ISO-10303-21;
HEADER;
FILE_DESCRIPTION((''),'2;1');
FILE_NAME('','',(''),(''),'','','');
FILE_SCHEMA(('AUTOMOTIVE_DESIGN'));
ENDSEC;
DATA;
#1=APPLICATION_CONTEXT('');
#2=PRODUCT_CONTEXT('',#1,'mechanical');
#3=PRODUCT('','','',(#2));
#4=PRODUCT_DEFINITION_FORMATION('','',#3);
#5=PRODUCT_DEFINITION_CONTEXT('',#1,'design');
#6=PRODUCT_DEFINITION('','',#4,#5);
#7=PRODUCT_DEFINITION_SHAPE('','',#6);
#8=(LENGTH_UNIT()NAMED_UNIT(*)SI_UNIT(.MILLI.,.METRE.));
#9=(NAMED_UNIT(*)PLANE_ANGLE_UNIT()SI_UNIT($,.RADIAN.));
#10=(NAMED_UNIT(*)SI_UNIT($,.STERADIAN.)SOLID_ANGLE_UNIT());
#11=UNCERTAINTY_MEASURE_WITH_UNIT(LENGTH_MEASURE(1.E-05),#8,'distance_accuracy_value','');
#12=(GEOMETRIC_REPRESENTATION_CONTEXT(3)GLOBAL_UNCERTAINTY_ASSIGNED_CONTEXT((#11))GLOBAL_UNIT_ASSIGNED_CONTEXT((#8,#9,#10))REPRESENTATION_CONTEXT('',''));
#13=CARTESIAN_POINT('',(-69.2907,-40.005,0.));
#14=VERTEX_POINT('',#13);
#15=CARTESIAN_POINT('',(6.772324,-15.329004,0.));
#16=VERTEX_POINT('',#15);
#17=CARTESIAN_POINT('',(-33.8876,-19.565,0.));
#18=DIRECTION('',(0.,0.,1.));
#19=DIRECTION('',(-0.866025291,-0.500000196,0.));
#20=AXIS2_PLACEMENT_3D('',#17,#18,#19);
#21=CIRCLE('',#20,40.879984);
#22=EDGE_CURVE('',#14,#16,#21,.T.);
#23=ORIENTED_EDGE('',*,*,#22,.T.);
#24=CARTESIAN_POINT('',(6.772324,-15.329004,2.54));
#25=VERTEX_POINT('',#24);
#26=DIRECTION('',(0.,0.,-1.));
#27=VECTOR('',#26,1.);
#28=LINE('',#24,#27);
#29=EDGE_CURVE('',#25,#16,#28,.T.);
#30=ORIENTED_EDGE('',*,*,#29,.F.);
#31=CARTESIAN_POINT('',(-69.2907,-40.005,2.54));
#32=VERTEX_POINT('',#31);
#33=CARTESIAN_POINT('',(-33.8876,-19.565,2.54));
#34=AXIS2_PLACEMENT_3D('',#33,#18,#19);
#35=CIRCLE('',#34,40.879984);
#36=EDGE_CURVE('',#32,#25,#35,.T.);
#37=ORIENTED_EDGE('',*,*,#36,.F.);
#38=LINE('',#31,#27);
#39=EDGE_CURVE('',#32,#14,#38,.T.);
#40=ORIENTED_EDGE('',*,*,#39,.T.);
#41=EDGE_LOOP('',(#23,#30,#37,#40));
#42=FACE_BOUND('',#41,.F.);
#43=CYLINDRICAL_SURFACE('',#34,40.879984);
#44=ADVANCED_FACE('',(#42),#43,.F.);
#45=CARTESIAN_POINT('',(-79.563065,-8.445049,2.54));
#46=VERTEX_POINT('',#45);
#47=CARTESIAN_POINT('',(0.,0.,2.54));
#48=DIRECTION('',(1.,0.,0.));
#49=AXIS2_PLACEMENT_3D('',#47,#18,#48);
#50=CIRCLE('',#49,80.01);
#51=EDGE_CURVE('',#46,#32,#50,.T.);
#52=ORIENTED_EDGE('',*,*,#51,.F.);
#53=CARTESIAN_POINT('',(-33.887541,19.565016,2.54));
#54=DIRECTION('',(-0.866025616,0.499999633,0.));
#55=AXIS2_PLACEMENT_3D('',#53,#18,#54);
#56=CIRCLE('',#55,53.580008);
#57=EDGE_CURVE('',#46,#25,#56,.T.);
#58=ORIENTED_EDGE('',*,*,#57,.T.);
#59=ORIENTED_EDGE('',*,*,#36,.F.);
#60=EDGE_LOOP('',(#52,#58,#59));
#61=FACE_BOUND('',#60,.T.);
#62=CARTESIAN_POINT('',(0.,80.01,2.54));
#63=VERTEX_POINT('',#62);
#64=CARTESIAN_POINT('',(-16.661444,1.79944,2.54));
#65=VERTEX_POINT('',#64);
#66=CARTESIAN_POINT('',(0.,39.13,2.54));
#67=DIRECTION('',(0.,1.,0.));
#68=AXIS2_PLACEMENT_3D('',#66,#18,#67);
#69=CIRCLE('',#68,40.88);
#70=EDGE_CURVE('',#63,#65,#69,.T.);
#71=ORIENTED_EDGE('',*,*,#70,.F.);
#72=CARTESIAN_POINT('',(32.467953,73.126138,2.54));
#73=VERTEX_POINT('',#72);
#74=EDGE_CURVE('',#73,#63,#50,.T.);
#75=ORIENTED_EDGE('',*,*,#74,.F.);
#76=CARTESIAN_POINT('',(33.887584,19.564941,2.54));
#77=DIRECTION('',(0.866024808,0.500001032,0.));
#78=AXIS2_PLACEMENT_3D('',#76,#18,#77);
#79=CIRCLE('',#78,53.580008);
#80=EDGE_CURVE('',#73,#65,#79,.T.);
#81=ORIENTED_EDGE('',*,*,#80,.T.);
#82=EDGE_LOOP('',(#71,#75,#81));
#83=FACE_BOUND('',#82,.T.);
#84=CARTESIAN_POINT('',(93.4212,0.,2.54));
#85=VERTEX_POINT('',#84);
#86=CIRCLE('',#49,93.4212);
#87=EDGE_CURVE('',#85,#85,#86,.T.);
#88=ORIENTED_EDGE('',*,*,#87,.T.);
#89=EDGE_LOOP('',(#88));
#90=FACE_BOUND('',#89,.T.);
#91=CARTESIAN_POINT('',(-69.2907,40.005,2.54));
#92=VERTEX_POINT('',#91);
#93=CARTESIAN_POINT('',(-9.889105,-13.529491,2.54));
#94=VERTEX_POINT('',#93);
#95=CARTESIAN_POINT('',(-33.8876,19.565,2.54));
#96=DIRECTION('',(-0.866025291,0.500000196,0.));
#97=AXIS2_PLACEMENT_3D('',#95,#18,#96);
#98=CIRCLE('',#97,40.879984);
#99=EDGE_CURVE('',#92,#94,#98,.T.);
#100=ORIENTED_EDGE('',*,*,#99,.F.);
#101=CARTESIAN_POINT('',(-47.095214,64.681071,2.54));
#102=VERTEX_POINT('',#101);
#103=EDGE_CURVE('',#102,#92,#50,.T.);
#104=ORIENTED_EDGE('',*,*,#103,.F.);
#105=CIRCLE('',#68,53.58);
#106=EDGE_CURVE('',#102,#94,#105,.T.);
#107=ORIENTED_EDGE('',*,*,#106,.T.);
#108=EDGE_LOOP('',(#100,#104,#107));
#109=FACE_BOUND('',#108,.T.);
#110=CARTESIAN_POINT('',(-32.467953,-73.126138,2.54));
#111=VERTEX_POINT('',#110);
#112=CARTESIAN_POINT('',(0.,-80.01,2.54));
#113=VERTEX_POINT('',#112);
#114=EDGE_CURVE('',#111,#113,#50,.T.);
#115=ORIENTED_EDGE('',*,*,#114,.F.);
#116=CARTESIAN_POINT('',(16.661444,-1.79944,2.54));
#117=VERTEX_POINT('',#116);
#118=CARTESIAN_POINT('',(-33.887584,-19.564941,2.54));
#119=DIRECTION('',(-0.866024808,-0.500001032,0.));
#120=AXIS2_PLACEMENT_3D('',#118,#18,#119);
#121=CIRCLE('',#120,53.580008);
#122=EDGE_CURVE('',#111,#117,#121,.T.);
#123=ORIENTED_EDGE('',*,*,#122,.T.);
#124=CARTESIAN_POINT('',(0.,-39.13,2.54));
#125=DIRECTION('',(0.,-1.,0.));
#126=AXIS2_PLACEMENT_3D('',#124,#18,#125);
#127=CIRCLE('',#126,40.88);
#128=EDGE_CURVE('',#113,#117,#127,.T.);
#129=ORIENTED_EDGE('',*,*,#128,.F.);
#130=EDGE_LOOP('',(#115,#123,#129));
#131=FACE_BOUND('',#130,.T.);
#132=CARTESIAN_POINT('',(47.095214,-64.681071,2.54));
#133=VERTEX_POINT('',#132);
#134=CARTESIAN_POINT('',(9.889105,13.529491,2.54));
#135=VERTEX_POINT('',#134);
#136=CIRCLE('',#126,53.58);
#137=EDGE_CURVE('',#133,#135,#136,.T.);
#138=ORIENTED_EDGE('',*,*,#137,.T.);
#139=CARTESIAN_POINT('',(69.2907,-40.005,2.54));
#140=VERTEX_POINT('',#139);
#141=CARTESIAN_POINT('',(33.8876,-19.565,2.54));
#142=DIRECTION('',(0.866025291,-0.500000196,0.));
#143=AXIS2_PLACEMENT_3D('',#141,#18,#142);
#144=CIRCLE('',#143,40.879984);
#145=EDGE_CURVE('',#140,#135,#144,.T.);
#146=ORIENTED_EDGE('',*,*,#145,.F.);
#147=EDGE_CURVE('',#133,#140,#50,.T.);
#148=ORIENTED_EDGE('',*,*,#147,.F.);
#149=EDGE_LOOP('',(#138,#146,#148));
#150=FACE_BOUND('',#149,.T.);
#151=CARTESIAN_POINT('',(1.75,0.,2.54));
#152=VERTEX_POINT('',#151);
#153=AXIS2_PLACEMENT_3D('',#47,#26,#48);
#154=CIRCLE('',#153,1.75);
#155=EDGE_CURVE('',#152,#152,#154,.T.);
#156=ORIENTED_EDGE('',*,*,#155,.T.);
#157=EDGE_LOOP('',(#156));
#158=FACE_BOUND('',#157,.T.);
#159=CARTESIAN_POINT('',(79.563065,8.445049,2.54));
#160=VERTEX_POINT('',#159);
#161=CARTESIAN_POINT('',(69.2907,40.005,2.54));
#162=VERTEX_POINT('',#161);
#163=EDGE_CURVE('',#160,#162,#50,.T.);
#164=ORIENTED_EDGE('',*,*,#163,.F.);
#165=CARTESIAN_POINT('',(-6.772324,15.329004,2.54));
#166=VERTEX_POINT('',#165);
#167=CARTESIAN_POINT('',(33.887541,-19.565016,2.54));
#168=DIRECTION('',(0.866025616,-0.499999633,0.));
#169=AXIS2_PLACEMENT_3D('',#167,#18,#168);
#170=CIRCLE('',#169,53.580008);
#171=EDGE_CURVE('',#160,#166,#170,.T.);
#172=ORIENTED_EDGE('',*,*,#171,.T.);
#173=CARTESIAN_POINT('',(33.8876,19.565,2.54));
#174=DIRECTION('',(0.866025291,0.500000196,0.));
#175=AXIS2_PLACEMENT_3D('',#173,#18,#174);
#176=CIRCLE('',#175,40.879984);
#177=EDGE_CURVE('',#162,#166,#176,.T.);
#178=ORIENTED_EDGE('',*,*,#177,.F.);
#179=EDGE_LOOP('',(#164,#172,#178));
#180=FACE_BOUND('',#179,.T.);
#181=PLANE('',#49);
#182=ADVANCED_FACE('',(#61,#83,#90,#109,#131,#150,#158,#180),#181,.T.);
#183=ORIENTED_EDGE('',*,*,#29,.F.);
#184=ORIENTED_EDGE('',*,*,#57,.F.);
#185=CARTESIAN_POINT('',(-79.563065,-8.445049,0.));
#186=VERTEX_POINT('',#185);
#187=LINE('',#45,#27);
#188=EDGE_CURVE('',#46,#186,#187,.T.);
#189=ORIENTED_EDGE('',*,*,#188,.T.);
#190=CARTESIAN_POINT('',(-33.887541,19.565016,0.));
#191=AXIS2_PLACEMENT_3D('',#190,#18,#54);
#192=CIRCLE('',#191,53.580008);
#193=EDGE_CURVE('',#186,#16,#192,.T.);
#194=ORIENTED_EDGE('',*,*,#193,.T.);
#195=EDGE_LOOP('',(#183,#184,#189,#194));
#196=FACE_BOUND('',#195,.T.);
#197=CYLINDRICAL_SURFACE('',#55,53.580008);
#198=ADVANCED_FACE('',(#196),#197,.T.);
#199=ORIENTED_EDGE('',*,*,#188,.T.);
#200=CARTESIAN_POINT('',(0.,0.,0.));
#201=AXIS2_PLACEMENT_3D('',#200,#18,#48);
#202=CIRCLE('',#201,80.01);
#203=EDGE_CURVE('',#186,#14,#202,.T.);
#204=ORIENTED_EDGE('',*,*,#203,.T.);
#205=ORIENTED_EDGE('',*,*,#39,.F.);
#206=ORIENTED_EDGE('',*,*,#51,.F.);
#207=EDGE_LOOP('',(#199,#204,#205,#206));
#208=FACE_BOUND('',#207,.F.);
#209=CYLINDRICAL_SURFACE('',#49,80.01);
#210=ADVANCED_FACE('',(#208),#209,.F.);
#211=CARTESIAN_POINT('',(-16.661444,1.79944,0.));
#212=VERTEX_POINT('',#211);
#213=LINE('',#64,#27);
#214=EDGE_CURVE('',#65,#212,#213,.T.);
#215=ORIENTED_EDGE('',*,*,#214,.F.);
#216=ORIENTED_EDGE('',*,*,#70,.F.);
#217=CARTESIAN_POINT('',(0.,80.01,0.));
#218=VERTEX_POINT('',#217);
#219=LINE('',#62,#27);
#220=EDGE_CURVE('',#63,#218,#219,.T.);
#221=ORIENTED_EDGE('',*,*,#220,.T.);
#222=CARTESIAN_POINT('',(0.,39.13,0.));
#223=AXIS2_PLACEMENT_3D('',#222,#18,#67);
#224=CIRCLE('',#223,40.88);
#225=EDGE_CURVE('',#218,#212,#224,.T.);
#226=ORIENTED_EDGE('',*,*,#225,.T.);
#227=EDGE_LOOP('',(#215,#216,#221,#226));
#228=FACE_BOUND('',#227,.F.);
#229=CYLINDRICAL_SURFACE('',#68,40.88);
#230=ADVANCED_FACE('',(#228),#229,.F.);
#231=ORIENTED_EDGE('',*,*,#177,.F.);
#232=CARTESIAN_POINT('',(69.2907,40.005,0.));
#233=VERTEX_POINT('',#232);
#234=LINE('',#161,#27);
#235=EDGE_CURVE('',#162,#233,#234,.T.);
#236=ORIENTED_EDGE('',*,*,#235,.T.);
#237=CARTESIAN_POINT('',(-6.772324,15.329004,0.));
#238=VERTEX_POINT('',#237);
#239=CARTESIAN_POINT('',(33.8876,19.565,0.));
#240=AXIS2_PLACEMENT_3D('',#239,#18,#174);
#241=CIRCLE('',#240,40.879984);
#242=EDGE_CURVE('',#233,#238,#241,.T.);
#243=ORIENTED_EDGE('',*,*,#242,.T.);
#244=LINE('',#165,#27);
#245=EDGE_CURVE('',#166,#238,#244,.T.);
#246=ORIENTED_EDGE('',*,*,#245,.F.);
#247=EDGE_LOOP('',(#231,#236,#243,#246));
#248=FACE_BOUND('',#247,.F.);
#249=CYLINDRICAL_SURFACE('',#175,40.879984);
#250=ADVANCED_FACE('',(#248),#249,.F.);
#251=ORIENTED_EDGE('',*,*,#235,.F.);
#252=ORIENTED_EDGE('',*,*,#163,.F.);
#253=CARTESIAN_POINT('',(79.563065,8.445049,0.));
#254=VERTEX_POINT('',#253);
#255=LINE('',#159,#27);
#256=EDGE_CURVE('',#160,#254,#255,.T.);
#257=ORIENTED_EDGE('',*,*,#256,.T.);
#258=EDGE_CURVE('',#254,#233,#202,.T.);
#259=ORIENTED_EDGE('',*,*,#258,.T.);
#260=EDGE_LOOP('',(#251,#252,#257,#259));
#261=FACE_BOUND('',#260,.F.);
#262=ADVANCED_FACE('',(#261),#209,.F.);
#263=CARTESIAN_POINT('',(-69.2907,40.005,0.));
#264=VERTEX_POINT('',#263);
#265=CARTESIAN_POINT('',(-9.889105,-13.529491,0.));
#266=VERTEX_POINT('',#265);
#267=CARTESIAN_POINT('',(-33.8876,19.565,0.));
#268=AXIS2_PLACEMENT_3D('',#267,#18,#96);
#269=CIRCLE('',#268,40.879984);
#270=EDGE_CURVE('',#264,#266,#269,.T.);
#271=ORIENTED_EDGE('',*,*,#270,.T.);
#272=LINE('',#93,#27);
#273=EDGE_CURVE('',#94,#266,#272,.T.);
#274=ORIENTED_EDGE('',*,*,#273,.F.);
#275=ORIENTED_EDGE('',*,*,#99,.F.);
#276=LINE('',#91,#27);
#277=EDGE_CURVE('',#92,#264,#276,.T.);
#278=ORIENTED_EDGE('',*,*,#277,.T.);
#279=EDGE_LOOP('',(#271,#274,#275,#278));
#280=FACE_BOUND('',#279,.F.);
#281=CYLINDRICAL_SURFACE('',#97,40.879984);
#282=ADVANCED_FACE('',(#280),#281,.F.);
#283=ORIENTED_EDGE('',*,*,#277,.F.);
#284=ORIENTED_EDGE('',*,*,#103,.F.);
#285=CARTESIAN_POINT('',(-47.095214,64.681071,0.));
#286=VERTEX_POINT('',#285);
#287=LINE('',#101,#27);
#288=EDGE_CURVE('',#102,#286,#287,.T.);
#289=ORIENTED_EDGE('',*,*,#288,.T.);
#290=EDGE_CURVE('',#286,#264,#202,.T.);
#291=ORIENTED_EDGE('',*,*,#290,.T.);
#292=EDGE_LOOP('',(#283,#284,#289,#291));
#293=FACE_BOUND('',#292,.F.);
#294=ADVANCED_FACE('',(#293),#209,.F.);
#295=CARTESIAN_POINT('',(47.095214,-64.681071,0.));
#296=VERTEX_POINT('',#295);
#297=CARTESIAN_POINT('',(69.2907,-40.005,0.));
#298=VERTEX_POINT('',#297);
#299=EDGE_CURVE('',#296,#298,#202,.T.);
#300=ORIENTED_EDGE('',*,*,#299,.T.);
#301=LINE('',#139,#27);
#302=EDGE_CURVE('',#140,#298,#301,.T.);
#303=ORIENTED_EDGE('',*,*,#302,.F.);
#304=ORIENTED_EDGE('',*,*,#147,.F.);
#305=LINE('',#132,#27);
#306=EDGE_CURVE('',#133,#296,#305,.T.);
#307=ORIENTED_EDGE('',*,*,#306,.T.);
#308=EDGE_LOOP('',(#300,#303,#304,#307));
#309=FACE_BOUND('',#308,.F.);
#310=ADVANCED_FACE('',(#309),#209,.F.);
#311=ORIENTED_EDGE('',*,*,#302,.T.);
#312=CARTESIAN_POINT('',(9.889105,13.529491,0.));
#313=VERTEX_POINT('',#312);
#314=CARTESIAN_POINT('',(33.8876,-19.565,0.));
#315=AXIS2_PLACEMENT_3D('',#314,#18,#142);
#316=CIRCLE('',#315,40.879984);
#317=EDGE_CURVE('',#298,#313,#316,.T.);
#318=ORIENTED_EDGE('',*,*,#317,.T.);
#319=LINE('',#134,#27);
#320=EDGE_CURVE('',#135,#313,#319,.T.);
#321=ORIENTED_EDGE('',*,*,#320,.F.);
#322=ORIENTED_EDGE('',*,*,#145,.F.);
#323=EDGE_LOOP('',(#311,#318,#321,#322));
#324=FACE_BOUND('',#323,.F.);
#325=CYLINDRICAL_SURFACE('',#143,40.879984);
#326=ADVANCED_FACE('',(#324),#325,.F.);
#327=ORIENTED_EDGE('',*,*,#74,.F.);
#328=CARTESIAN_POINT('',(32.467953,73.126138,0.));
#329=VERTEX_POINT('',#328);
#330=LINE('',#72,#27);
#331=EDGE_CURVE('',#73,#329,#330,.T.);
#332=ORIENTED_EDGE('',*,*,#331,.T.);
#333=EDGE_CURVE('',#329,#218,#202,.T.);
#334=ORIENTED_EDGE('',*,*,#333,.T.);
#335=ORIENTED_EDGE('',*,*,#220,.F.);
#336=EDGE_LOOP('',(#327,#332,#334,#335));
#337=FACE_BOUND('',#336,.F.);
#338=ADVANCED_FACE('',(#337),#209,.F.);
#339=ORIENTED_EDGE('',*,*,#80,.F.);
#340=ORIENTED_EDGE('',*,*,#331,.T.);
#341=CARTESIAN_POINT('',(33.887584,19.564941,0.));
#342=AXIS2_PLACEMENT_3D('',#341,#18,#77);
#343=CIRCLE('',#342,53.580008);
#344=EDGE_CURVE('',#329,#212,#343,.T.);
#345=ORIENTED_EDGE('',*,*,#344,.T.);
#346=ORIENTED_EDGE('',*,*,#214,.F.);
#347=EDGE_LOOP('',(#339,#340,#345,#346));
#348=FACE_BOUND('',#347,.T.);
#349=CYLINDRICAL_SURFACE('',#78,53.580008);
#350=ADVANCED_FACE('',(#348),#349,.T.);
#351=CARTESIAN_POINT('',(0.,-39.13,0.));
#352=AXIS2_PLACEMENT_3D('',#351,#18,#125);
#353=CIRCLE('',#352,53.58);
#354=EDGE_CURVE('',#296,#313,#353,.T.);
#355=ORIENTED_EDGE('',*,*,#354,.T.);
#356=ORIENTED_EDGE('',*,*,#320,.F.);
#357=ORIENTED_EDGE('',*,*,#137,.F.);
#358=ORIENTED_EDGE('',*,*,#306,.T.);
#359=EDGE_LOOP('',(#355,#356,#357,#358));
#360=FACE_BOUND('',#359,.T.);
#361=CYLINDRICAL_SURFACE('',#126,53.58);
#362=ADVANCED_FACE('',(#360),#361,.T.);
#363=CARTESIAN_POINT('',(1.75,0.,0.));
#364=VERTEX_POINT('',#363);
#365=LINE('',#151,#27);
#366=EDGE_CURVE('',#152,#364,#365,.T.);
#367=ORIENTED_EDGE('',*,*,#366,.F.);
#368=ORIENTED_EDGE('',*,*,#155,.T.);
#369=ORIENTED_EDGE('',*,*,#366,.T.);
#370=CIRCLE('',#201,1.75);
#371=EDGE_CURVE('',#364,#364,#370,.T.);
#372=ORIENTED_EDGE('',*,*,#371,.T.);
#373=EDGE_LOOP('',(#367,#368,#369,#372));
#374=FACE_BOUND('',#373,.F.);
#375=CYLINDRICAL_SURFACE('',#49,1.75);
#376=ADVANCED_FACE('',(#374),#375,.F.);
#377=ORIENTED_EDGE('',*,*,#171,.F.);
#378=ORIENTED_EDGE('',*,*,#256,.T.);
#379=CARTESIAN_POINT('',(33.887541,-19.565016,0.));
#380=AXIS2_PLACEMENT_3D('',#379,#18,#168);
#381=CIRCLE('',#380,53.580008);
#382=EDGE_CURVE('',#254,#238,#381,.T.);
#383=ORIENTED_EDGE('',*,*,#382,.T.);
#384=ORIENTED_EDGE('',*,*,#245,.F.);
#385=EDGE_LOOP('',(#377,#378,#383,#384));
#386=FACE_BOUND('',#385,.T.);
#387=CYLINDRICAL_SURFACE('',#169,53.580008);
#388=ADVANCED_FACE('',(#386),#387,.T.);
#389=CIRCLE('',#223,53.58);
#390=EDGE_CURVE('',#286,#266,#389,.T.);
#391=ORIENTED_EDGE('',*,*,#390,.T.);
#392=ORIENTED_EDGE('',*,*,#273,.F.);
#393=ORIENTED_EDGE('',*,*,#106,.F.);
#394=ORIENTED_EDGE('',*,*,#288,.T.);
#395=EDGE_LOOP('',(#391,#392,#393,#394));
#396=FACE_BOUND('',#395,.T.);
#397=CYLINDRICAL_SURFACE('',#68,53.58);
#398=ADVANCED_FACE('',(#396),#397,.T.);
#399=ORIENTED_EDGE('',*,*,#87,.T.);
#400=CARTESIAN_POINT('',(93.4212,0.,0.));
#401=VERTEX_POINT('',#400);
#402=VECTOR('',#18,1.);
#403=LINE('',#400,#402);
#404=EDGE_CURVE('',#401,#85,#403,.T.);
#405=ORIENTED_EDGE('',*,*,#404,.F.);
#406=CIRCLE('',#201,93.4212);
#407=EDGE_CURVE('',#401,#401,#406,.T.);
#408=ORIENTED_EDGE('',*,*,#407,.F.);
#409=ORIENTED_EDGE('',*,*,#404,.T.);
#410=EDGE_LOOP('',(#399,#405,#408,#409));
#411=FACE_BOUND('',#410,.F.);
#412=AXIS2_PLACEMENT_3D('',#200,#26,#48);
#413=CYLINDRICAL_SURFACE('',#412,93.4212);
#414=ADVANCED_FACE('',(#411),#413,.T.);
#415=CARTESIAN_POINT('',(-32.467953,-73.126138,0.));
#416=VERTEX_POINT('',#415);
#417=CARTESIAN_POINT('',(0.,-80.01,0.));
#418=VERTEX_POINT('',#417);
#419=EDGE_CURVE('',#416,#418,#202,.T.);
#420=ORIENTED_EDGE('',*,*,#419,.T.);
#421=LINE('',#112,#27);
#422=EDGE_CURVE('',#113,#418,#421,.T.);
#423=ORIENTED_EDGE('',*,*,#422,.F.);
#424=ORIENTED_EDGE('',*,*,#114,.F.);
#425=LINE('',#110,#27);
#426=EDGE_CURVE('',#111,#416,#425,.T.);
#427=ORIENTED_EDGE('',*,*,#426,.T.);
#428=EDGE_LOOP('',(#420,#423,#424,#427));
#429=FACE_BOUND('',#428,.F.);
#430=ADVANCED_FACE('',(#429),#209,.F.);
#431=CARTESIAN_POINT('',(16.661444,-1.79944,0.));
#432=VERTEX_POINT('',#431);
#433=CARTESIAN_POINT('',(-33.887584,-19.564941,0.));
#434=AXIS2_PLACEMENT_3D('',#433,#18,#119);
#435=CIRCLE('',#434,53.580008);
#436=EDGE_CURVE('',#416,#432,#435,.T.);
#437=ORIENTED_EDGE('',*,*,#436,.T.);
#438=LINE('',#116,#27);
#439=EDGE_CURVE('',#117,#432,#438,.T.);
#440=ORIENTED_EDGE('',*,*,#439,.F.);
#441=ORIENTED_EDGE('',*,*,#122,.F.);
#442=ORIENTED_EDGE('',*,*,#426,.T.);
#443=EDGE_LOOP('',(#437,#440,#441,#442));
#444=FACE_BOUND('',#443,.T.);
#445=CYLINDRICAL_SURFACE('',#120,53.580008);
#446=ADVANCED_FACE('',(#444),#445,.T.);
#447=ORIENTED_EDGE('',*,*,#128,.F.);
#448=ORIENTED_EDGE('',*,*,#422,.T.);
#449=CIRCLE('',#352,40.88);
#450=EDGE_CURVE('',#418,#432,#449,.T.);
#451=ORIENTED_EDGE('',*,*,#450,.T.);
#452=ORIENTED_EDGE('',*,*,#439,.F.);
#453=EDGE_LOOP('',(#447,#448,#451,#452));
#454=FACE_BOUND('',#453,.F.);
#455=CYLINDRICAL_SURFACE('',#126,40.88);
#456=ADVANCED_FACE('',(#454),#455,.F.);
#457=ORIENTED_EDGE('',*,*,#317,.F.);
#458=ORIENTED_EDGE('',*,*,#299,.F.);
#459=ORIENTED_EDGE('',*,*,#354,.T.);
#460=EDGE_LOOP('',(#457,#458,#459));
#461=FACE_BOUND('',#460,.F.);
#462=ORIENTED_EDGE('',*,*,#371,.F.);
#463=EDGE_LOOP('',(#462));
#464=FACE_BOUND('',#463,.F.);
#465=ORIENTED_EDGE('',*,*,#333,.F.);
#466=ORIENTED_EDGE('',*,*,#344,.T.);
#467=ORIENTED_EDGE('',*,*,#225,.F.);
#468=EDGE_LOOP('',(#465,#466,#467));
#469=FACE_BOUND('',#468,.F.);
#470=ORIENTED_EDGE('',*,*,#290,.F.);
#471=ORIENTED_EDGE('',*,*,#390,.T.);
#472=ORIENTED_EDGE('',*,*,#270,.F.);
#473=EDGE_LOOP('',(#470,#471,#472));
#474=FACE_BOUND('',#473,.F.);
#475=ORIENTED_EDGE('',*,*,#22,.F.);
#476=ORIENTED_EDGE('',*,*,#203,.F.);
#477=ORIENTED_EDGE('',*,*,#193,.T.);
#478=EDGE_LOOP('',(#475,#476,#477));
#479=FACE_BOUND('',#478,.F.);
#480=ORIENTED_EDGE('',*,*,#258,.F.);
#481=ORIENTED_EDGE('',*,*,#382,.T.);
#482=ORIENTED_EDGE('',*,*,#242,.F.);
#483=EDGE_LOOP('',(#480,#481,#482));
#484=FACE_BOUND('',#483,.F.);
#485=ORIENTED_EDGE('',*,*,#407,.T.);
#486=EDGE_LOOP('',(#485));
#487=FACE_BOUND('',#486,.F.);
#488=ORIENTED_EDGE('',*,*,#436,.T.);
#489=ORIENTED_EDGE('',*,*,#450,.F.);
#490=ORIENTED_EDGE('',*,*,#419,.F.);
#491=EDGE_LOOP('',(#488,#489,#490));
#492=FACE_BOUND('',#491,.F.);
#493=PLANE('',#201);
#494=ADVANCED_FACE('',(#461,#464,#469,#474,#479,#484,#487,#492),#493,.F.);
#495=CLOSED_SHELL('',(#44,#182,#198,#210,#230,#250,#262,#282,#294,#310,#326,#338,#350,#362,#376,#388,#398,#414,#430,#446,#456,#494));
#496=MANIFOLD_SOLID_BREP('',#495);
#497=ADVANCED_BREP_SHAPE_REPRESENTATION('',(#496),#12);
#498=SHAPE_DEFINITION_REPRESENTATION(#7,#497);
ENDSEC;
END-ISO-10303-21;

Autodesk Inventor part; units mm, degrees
ref_plane "YZ Plane" through (0, 0, 0) normal (1, 0, 0) x (0, 1, 0)
ref_plane "XZ Plane" through (0, 0, 0) normal (0, 1, 0) x (-1, 0, 0)
ref_plane "XY Plane" through (0, 0, 0) normal (0, 0, 1) x (1, 0, 0)
sketch "Sketch1" plane through (0, 0, 0) normal (0, 0, 1) x (1, 0, 0)
  circle A0 centre (0, 0) radius 93.4212
  dimension "d0" = 186.8424
extrude "Extrusion1" add sketch "Sketch1" along normal blind 2.54
sketch "Sketch2" plane through (0, 0, 2.54) normal (0, 0, 1) x (1, 0, 0)
  circle A0 centre (0, 0) radius 1.75
  circle A1 centre (0, 0) radius 14.45
  circle A2 centre (0, 0) radius 92.71
  circle A3 centre (0, 0) radius 80.01
  arc A4 (0, -80.01) -> (0, 1.75) centre (0, -39.13) ccw
  arc A5 (0, -92.71) -> (0, 14.45) centre (0, -39.13) ccw
  arc A6 (80.2892, -46.355) -> (-12.5141, 7.225) centre (33.8876, -19.565) ccw
  arc A7 (69.2907, -40.005) -> (-1.5155, 0.875) centre (33.8876, -19.565) ccw
  arc A8 (80.2892, 46.355) -> (-12.5141, -7.225) centre (33.8876, 19.565) ccw
  arc A9 (69.2907, 40.005) -> (-1.5155, -0.875) centre (33.8876, 19.565) ccw
  arc A10 (0, 92.71) -> (0, -14.45) centre (0, 39.13) ccw
  arc A11 (0, 80.01) -> (0, -1.75) centre (0, 39.13) ccw
  arc A12 (-80.2892, 46.355) -> (12.5141, -7.225) centre (-33.8876, 19.565) ccw
  arc A13 (-69.2907, 40.005) -> (1.5155, -0.875) centre (-33.8876, 19.565) ccw
  arc A14 (-80.2892, -46.355) -> (12.5141, 7.225) centre (-33.8876, -19.565) ccw
  arc A15 (-69.2907, -40.005) -> (1.5155, 0.875) centre (-33.8876, -19.565) ccw
  point P0 (-69.2907, -40.005)
  point P1 (6.7724, -15.3289)
  point P2 (-79.5631, -8.4451)
  point P3 (16.6614, -1.7994)
  point P4 (-32.4678, -73.1262)
  point P5 (9.8891, 13.5295)
  point P6 (47.0952, -64.6811)
  point P7 (69.2907, 40.005)
  point P8 (-6.7724, 15.3289)
  point P9 (79.5631, 8.4451)
  point P10 (0, 80.01)
  point P11 (-16.6614, 1.7994)
  point P12 (32.4678, 73.1262)
  point P13 (-9.8891, -13.5295)
  point P14 (-47.0952, 64.6811)
  dimension "d3" = 3.5
  dimension "d15" = 12.7
  dimension "d17" = 185.42
  dimension "d18" = 160.02
  dimension "d21" = 360
extrude "Extrusion2" cut sketch "Sketch2" against normal blind 2.54 contours A0 | A15 A3 A12 | A13 A3 A10 | A4 A3 A14 | A11 A3 A8 | A7 A3 A5 | A9 A3 A6
properties part number "gear backing end"
